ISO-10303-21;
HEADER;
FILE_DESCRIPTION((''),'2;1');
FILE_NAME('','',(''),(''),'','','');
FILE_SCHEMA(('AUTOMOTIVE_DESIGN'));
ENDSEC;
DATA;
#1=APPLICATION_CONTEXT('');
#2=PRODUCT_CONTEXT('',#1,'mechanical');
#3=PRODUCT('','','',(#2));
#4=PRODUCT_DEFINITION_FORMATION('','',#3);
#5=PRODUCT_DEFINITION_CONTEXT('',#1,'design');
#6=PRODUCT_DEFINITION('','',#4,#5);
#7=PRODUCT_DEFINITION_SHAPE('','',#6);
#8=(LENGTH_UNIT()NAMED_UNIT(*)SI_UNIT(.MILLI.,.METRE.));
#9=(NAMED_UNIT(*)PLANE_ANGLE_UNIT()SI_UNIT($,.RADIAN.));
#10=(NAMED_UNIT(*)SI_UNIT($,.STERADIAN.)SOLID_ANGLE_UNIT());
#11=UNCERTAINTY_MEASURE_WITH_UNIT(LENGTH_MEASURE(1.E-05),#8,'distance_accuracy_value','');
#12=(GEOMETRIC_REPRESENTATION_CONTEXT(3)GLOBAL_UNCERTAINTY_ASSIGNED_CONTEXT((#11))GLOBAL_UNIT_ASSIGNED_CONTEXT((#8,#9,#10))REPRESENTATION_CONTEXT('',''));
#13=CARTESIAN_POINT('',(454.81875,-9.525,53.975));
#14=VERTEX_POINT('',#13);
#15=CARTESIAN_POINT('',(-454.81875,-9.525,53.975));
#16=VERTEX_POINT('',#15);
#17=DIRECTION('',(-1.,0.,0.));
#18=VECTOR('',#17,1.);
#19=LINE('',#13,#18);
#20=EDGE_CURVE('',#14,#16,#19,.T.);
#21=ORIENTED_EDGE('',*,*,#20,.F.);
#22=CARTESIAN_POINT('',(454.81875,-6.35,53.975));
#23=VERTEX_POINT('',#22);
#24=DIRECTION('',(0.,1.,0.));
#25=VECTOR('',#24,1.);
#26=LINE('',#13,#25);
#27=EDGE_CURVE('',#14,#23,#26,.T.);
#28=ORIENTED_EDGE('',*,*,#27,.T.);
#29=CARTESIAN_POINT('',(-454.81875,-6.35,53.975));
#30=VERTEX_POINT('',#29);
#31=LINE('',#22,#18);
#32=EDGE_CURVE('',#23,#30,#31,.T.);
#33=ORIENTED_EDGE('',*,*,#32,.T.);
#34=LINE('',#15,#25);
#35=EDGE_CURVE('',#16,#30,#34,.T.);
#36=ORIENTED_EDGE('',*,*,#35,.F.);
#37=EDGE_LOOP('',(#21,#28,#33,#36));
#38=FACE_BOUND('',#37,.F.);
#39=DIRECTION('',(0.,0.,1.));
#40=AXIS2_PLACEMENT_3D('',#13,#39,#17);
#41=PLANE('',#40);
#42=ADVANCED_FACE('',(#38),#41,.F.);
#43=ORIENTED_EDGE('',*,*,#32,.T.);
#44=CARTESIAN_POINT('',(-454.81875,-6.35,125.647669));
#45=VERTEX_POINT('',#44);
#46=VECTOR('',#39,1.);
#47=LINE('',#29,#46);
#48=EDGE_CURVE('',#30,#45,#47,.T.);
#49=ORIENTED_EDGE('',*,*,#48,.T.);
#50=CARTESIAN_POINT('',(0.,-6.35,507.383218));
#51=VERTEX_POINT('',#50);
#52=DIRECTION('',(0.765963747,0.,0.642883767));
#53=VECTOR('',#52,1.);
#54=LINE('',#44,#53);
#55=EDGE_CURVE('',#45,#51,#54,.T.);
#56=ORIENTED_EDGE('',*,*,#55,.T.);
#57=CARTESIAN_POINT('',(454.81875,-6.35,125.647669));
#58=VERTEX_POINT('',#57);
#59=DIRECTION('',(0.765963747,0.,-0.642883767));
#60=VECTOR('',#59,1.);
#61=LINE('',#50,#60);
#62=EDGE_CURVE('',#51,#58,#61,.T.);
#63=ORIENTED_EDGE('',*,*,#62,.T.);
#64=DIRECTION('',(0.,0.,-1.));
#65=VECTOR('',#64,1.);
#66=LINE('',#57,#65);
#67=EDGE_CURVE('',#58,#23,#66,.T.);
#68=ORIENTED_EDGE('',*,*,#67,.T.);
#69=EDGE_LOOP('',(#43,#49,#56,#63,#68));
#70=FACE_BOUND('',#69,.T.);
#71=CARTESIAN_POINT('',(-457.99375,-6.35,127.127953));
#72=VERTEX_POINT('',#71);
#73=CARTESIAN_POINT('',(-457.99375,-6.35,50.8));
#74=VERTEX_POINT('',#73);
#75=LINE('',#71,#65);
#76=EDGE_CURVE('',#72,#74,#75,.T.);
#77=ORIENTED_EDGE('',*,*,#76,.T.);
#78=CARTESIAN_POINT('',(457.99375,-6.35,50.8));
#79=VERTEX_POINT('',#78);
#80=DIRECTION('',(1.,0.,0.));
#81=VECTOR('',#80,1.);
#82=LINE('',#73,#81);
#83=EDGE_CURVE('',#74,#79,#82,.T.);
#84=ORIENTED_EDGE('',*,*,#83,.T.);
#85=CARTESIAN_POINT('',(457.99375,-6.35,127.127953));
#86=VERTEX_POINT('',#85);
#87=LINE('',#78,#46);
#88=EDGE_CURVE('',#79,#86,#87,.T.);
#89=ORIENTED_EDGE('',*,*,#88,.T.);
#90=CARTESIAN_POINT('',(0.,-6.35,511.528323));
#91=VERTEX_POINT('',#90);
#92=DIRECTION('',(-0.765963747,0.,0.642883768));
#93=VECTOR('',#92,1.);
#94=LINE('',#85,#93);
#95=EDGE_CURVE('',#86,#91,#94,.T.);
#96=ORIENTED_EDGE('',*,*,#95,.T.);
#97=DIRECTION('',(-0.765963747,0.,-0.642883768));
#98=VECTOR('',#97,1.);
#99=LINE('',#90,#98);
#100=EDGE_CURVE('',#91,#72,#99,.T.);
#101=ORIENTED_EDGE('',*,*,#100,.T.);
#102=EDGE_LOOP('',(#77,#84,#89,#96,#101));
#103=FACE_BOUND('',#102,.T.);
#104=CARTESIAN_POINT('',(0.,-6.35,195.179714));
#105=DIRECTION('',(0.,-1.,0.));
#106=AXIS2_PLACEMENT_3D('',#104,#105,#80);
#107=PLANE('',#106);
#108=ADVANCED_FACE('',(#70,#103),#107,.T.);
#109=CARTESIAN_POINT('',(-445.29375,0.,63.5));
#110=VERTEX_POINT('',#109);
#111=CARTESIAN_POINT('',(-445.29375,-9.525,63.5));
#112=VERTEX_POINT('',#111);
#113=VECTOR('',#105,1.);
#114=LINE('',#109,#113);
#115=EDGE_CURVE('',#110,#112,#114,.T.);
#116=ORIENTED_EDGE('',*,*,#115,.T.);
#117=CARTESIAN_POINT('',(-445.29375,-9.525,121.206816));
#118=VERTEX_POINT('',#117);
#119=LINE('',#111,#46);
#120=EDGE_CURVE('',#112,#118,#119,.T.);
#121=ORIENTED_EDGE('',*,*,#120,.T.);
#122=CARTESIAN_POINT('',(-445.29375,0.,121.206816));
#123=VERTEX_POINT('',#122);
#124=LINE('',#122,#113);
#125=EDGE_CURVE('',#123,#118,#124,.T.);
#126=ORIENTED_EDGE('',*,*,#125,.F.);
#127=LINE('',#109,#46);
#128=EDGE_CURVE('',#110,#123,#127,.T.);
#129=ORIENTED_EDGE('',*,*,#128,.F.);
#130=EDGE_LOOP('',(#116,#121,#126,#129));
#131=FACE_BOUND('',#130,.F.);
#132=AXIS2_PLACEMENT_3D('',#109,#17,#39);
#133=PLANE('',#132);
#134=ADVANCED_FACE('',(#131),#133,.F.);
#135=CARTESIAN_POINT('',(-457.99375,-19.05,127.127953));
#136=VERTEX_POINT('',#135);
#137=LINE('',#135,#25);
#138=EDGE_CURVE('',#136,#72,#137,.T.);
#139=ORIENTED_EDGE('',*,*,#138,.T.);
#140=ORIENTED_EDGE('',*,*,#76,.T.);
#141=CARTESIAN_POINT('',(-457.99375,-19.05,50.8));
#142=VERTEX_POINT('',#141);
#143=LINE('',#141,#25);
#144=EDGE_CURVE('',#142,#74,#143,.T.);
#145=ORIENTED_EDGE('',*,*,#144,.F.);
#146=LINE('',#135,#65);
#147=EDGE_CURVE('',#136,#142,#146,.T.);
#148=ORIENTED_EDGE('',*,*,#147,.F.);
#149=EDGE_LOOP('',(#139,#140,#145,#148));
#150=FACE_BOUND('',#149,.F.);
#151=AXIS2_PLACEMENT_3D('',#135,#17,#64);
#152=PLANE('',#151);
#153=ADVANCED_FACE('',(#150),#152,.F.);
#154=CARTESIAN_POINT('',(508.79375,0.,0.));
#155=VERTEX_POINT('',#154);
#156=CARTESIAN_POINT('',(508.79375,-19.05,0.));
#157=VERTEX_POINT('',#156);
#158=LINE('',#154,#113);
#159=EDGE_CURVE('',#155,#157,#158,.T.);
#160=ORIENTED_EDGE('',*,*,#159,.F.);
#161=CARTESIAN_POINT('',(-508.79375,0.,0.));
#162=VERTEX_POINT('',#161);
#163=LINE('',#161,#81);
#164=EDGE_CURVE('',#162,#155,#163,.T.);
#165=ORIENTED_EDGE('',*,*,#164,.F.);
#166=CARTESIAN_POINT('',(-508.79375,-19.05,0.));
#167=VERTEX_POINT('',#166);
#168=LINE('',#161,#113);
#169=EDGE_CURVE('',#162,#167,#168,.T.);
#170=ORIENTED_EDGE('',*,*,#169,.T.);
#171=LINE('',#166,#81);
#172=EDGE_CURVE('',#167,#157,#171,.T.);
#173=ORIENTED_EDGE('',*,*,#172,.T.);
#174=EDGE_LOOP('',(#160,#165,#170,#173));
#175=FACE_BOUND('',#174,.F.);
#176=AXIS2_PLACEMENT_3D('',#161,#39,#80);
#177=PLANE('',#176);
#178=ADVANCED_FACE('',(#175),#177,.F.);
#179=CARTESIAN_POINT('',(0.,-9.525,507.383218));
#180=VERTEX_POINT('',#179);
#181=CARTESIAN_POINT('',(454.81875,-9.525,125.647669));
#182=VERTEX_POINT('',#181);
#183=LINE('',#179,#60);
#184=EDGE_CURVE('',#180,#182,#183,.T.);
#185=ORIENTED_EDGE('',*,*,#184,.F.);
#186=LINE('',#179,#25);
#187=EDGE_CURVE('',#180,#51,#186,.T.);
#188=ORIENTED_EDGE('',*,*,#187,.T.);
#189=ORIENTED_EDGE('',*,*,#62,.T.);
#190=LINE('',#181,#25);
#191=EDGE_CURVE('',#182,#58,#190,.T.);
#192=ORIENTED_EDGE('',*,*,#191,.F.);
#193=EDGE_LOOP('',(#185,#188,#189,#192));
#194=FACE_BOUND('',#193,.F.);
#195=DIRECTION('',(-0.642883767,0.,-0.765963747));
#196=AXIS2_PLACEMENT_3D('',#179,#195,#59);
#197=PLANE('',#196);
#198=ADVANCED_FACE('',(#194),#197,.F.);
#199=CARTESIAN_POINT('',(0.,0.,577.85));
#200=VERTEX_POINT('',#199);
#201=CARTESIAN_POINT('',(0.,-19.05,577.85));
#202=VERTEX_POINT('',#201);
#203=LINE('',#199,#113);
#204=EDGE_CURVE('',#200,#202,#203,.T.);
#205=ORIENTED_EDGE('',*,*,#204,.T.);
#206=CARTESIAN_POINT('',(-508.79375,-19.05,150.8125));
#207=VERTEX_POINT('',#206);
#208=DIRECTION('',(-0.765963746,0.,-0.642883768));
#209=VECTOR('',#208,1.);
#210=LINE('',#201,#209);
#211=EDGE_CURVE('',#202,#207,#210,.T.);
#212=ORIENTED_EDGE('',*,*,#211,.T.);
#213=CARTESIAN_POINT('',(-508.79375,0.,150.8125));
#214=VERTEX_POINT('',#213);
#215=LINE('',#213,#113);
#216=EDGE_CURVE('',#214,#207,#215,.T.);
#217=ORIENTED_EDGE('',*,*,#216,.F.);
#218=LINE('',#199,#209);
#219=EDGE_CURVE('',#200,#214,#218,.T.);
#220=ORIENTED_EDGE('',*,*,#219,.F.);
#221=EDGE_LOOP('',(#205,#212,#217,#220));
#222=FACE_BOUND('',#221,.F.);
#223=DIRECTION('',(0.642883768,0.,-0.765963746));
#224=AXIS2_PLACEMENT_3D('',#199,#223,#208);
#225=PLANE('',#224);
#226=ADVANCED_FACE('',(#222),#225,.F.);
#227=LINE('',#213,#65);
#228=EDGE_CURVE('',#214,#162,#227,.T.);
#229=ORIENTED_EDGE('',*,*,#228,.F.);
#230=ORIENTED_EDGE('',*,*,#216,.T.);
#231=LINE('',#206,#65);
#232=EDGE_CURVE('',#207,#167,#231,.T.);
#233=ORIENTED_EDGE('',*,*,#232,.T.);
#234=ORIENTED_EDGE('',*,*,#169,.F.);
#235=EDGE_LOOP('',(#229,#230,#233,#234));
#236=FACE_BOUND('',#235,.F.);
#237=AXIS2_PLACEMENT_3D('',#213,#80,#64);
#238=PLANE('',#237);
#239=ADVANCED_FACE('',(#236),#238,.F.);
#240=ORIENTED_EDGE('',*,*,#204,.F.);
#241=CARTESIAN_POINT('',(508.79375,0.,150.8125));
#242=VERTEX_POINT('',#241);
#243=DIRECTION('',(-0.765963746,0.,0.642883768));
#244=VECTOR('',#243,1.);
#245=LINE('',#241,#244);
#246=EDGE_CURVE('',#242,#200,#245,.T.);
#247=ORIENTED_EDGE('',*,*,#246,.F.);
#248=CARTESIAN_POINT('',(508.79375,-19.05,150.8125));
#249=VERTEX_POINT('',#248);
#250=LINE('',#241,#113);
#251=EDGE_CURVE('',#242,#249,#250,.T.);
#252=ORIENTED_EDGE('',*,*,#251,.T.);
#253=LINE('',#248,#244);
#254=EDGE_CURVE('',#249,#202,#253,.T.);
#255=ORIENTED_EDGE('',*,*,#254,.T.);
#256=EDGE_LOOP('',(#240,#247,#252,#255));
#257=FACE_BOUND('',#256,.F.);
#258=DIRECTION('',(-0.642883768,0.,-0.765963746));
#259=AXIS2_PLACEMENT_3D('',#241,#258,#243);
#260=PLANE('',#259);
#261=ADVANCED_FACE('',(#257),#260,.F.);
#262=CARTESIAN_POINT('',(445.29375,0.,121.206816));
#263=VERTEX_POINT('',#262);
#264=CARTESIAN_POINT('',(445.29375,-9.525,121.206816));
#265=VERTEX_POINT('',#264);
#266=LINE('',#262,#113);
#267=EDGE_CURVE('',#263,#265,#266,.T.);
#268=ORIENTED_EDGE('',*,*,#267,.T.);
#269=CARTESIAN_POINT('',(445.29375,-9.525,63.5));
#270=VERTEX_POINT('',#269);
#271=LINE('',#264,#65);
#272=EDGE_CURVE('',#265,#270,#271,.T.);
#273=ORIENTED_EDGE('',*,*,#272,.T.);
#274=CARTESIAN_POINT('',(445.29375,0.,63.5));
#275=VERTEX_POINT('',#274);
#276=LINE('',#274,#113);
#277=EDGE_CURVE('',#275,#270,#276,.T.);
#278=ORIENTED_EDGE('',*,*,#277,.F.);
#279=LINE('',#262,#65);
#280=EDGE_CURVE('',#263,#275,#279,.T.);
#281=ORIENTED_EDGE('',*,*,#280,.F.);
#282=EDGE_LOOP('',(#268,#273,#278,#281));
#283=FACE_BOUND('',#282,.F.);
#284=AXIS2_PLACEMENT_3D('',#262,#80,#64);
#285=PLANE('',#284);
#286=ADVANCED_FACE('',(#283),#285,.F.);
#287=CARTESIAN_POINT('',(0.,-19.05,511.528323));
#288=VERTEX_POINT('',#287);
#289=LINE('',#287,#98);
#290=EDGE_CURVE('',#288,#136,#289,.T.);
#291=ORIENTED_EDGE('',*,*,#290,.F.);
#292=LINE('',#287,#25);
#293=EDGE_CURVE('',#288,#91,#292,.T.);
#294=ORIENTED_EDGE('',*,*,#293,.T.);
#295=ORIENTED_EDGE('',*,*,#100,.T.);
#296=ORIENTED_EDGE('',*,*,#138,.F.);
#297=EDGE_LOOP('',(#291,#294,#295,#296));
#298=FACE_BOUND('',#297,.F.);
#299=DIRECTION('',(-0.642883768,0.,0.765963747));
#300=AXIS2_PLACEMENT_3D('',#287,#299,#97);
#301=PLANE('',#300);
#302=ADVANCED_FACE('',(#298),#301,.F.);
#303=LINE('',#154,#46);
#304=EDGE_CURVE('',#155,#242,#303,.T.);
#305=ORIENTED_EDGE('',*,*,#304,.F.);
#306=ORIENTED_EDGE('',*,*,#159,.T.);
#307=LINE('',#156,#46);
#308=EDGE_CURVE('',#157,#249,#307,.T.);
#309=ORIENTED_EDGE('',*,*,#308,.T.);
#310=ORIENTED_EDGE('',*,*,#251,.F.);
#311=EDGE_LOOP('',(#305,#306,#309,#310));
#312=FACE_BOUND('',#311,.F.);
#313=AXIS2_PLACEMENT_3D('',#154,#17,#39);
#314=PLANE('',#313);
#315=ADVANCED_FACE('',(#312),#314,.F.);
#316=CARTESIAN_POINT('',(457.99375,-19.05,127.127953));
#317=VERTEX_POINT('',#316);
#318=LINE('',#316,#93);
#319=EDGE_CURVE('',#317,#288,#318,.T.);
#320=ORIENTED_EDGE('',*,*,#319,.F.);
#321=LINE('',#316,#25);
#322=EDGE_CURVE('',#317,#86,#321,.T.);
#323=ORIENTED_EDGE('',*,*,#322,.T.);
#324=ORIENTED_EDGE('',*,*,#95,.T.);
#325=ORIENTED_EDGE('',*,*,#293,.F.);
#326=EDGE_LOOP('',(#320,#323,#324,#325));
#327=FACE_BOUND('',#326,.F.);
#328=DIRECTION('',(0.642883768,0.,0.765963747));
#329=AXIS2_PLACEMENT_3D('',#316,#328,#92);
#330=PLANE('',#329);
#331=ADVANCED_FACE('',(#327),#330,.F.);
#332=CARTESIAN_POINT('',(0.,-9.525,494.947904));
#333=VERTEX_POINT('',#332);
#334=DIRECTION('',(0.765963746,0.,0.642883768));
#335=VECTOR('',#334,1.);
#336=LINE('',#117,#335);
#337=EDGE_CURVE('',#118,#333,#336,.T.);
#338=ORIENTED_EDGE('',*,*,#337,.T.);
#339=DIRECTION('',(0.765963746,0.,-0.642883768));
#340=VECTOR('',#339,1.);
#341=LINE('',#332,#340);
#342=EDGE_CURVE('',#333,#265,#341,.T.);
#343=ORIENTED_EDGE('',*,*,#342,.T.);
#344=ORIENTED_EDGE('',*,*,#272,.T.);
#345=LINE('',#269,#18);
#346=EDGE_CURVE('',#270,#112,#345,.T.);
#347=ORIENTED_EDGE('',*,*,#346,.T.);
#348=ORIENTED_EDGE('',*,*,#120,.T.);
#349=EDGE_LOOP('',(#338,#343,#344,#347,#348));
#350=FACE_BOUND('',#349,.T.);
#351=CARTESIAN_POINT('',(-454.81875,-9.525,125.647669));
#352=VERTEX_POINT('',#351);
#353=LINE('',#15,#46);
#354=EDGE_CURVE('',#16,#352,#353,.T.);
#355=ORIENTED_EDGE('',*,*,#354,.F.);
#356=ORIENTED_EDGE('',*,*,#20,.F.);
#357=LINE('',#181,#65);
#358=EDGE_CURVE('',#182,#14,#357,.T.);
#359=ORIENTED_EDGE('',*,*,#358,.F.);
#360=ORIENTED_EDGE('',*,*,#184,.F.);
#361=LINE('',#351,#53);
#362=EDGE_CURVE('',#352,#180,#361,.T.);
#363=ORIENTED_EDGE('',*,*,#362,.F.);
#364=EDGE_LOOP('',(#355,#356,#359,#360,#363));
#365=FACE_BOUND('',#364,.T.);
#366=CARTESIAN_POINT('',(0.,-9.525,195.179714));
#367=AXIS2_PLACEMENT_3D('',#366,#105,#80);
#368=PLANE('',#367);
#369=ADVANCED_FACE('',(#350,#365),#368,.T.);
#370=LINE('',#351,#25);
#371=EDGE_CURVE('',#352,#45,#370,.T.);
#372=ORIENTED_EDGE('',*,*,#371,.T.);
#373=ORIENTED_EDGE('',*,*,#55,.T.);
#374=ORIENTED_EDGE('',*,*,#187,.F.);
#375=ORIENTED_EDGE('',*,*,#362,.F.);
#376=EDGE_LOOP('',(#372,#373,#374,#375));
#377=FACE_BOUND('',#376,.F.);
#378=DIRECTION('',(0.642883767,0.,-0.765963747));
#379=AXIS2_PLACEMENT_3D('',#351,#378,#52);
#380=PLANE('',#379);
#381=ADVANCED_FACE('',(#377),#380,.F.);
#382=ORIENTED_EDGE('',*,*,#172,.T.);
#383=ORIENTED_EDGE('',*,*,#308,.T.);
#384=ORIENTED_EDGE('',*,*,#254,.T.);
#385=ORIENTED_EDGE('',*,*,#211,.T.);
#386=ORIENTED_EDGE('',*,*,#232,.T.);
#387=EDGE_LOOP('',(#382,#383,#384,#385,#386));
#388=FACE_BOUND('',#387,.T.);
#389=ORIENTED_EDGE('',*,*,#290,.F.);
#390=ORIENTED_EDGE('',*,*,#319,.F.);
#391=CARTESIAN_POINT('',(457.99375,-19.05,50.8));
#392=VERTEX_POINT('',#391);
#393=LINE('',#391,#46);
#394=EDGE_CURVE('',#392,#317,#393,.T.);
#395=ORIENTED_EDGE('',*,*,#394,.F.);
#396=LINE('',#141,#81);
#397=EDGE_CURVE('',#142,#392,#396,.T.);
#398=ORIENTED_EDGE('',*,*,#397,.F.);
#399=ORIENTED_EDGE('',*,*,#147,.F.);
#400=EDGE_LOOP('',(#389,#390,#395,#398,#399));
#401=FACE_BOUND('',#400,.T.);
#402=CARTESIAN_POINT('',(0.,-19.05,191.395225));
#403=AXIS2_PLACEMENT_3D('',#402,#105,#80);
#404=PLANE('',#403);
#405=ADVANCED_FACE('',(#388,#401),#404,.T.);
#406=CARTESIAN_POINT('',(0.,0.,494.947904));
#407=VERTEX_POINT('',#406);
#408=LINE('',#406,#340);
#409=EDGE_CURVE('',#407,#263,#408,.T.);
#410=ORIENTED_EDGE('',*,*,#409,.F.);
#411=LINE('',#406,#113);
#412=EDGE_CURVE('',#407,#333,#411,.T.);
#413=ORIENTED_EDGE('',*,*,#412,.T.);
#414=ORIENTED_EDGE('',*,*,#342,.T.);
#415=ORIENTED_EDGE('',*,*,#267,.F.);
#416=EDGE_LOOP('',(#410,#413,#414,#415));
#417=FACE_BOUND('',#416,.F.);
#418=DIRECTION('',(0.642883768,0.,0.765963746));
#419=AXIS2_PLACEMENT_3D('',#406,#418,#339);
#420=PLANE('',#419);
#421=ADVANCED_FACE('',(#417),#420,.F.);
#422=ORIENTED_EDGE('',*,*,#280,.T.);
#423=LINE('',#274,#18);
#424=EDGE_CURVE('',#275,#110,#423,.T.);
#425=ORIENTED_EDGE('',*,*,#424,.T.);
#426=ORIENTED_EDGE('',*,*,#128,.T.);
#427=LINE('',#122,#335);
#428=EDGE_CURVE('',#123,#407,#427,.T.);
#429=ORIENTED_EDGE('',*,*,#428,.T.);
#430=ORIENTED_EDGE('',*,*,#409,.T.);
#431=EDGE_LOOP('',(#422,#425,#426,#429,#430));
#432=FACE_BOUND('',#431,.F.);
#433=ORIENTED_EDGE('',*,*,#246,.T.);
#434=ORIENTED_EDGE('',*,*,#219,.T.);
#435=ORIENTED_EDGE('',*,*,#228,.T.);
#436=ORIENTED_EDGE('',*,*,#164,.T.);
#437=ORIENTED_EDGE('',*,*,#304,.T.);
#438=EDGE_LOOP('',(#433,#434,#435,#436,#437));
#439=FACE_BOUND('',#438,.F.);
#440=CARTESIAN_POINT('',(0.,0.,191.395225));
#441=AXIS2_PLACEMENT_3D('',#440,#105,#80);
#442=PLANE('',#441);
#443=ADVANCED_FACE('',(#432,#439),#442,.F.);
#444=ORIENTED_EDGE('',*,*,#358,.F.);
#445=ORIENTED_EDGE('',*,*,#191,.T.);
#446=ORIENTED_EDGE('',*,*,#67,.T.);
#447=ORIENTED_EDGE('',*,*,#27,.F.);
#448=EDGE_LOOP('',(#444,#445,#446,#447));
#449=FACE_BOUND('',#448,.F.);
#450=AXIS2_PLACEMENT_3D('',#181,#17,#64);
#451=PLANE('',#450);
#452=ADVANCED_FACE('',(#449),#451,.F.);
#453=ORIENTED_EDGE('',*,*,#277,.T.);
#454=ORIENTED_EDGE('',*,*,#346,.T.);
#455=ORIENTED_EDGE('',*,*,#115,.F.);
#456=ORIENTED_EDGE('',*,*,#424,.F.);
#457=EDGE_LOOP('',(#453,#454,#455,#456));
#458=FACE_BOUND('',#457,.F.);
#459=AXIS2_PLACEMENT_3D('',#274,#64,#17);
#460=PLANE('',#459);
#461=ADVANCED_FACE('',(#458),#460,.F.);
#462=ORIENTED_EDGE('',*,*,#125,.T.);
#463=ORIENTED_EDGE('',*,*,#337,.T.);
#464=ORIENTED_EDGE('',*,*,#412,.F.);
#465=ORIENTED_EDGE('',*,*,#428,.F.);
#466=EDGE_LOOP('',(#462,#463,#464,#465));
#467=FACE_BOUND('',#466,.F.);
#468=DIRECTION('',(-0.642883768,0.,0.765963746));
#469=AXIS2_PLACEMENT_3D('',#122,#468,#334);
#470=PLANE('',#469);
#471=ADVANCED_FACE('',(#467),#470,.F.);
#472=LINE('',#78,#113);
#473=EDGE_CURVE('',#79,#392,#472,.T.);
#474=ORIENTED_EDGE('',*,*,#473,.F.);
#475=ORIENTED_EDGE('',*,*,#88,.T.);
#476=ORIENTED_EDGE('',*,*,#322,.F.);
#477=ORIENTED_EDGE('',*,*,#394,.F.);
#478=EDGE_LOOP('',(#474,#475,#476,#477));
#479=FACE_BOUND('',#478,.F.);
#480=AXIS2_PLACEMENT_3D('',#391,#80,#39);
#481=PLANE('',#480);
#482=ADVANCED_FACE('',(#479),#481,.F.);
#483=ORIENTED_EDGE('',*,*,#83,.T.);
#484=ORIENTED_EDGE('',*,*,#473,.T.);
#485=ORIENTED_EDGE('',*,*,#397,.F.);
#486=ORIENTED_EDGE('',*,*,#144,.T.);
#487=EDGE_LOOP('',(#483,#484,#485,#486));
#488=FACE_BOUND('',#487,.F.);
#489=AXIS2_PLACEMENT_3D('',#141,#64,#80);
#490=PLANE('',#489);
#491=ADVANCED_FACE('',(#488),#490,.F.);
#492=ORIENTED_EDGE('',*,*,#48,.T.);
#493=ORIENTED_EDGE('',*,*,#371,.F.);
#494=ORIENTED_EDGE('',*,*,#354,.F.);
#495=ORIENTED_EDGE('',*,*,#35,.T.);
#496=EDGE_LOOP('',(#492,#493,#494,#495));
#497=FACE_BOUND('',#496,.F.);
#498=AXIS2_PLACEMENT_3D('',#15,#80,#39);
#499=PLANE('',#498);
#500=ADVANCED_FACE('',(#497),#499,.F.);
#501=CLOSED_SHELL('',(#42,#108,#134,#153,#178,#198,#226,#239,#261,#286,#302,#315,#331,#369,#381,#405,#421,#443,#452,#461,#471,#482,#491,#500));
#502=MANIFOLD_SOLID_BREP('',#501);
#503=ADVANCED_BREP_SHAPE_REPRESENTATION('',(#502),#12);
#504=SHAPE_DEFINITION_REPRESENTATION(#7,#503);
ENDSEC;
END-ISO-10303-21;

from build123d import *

# Parameters (mm, degrees)
F1_DEPTH = 19.05
F4_DEPTH = 9.525
F6_DEPTH = 3.175


with BuildPart() as f1:
    # F0 (on Front) → F1 (new body)
    with BuildSketch(Plane.XZ):
        Polygon((-508.79375, 0), (0, 0), (508.79375, 0), (508.79375, 150.8125), (0, 577.85), (-508.79375, 150.8125), align=None)
        Polygon((0, 63.5), (-445.29375, 63.5), (-445.29375, 121.206816), (0, 494.947904), (445.29375, 121.206816), (445.29375, 63.5), align=None, mode=Mode.SUBTRACT)
    extrude(amount=F1_DEPTH)

    # F3 (on face) → F4 (cut)
    with BuildSketch(Plane.XZ.offset(19.05)):
        Polygon((457.99375, 50.8), (457.99375, 127.127953), (0, 511.528323), (-457.99375, 127.127953), (-457.99375, 50.8), align=None)
        Polygon((-445.29375, 63.5), (-445.29375, 121.206816), (0, 494.947904), (445.29375, 121.206816), (445.29375, 63.5), align=None, mode=Mode.SUBTRACT)
    extrude(amount=-F4_DEPTH, mode=Mode.SUBTRACT)

    # F5 (on face) → F6 (cut)
    with BuildSketch(Plane.XZ.offset(9.525)):
        Polygon((0, 511.528323), (-457.99375, 127.127953), (-457.99375, 50.8), (457.99375, 50.8), (457.99375, 127.127953), align=None)
        Polygon((0, 507.383218), (454.81875, 125.647669), (454.81875, 53.975), (-454.81875, 53.975), (-454.81875, 125.647669), align=None, mode=Mode.SUBTRACT)
    extrude(amount=-F6_DEPTH, mode=Mode.SUBTRACT)


solid = f1.part
